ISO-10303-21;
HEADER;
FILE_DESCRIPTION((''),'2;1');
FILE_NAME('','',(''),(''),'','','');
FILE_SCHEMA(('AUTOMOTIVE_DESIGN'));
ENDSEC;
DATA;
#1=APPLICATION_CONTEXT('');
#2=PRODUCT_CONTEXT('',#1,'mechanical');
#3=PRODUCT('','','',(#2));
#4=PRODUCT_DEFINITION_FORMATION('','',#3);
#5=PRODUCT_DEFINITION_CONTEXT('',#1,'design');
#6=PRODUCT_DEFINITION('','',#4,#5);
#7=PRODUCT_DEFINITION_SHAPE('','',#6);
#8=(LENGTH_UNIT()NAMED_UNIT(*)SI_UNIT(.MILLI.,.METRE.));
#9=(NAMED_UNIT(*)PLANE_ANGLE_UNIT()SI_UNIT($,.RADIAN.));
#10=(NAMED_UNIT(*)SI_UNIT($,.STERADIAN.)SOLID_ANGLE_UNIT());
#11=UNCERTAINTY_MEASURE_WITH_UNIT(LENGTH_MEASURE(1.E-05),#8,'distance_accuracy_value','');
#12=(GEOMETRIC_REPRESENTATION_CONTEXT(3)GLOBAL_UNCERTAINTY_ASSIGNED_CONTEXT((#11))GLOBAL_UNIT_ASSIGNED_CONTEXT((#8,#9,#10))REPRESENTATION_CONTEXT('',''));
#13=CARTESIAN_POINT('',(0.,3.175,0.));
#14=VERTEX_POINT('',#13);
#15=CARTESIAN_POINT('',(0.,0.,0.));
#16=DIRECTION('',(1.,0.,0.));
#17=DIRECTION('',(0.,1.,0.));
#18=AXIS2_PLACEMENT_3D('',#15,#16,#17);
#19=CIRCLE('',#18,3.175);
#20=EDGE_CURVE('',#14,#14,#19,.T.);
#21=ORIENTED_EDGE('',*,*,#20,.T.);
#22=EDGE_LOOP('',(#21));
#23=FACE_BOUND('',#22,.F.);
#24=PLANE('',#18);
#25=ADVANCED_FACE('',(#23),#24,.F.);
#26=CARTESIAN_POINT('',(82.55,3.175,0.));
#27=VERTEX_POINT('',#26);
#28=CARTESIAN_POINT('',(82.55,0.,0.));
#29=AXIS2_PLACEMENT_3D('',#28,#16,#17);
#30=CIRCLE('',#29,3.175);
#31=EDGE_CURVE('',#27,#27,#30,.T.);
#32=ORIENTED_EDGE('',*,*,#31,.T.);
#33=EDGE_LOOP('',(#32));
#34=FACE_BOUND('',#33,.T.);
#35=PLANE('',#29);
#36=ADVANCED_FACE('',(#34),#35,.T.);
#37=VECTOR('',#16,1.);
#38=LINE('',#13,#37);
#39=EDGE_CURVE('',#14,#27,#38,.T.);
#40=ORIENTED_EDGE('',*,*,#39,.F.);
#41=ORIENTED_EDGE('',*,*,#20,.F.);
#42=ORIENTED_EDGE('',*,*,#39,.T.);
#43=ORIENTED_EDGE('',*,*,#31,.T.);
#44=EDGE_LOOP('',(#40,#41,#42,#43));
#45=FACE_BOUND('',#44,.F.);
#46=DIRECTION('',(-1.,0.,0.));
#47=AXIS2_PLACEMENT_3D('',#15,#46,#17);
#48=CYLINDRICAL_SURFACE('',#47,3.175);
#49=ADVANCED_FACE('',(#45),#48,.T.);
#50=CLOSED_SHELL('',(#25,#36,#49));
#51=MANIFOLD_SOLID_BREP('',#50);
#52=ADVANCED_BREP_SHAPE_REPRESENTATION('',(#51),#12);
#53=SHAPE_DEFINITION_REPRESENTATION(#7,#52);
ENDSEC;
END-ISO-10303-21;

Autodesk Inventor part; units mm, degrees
ref_plane "YZ Plane" through (0, 0, 0) normal (1, 0, 0) x (0, 1, 0)
ref_plane "XZ Plane" through (0, 0, 0) normal (0, 1, 0) x (-1, 0, 0)
ref_plane "XY Plane" through (0, 0, 0) normal (0, 0, 1) x (1, 0, 0)
sketch "Sketch1" plane through (0, 0, 0) normal (1, 0, 0) x (0, 1, 0)
  circle A0 centre (0, 0) radius 3.175
  dimension "d0" = 6.35
extrude "Extrusion1" add sketch "Sketch1" along normal blind 82.55
properties part number "Lidar Sensor Pivot Rod"
